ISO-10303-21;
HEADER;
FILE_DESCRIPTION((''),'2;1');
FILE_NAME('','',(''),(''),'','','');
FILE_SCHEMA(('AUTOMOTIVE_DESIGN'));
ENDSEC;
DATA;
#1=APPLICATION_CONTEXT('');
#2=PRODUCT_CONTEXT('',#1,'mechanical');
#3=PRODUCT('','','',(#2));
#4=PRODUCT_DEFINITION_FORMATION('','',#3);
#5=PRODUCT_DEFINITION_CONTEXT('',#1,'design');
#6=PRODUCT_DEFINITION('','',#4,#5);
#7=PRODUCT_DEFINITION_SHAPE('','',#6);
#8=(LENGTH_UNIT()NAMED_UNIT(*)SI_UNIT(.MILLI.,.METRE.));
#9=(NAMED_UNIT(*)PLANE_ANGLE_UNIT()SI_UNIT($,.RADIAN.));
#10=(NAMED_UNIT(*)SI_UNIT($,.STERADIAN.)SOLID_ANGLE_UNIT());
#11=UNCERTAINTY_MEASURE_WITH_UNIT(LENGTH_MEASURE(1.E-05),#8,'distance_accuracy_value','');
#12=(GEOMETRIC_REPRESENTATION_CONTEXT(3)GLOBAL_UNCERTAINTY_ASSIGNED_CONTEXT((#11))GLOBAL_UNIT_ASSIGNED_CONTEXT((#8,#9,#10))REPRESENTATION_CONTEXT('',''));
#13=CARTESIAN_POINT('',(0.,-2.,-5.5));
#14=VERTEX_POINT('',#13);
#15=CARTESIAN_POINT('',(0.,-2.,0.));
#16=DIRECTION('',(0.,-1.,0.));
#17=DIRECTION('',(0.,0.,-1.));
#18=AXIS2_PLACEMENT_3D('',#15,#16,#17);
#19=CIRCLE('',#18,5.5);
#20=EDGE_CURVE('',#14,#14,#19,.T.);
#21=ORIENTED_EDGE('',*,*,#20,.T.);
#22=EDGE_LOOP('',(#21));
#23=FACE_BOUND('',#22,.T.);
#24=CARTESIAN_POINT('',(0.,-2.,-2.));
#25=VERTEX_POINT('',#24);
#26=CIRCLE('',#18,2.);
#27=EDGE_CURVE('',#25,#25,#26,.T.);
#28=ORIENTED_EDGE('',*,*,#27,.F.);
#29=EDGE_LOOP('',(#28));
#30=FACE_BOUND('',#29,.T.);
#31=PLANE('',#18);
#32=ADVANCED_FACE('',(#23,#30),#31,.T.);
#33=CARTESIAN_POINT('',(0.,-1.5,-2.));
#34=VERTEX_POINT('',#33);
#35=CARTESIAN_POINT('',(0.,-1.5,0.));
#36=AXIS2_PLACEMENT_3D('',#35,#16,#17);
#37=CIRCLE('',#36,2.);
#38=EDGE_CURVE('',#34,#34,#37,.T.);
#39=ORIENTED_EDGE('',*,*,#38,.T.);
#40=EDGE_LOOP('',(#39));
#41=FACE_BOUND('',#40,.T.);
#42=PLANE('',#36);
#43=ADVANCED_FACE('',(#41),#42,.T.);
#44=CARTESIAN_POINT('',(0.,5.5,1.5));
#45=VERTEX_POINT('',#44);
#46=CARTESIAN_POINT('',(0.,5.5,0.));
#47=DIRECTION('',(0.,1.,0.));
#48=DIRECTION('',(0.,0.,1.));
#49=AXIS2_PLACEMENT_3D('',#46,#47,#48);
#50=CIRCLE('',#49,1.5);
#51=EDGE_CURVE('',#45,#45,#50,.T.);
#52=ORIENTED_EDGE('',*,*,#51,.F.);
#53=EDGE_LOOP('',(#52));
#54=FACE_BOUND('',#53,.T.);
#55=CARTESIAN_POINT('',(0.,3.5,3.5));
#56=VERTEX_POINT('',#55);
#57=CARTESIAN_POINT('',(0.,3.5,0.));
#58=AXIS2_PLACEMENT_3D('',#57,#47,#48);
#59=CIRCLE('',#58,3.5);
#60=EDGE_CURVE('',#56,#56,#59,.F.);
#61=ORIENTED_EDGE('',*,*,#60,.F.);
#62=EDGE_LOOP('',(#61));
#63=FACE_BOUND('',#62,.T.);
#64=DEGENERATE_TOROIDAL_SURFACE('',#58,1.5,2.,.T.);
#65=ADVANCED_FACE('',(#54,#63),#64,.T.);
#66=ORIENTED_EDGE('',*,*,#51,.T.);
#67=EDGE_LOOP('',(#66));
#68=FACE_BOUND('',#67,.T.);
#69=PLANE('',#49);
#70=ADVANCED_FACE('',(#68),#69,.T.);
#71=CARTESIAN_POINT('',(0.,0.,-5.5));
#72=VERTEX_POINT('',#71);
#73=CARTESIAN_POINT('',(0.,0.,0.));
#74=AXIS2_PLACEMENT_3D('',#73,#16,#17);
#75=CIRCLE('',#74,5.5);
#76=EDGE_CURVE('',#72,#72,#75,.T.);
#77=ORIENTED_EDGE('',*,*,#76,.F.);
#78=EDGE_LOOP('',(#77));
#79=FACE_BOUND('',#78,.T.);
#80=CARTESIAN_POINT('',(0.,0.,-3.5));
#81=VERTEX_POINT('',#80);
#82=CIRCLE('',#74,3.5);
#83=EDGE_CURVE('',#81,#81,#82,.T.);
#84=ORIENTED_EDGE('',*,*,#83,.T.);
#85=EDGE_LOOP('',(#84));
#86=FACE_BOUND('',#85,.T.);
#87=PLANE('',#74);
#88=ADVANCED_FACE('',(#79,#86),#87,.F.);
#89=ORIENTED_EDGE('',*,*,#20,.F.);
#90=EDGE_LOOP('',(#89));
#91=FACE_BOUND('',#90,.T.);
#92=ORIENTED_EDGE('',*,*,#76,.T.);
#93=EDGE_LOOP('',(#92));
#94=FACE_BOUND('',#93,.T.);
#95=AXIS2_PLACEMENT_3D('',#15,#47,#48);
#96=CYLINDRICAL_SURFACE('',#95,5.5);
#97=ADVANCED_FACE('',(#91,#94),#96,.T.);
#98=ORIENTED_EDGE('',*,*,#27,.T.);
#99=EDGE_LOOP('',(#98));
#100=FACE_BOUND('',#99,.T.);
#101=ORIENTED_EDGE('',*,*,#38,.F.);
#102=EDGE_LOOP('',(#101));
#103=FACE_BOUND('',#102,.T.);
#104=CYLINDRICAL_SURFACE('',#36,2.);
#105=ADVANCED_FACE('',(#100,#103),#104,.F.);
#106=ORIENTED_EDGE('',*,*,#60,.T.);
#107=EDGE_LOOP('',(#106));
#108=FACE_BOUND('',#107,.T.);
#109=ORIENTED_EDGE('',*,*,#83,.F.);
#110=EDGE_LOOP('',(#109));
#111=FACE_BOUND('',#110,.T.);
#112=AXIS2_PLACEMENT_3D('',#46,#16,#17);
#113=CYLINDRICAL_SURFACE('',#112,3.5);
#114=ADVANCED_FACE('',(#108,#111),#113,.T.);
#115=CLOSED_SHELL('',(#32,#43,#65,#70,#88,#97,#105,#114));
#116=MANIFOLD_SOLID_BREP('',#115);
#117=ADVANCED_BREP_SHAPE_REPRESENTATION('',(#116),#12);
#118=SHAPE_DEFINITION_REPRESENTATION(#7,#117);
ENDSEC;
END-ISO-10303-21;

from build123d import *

# Parameters (mm, degrees)
SKIZZE1_R                       = 3.5
AUFSATZ_LINEAR_AUSTRAGEN1_DEPTH = 5.5
SKIZZE2_R                       = 5.5
AUFSATZ_LINEAR_AUSTRAGEN2_DEPTH = 2
SKIZZE3_R                       = 2
SCHNITT_LINEAR_AUSTRAGEN1_DEPTH = 0.5
VERRUNDUNG1_R                   = 2


with BuildPart() as part:
    # Skizze1 → Aufsatz-Linear austragen1 (new body)
    with BuildSketch(Plane(origin=(0, 0, 0), x_dir=(1, 0, 0), z_dir=(0, 1, 0))):
        Circle(SKIZZE1_R)
    extrude(amount=AUFSATZ_LINEAR_AUSTRAGEN1_DEPTH)

    # Skizze2 → Aufsatz-Linear austragen2 (add)
    with BuildSketch(Plane.XZ):
        Circle(SKIZZE2_R)
    extrude(amount=AUFSATZ_LINEAR_AUSTRAGEN2_DEPTH)

    # Skizze3 → Schnitt-Linear austragen1 (cut)
    with BuildSketch(Plane.XZ.offset(2)):
        Circle(SKIZZE3_R)
    extrude(amount=-SCHNITT_LINEAR_AUSTRAGEN1_DEPTH, mode=Mode.SUBTRACT)

    # Verrundung1
    verrundung1_edges = [part.edges().sort_by_distance(p)[0] for p in [
        (-3.5, 5.5, 0),
    ]]
    fillet(verrundung1_edges, radius=VERRUNDUNG1_R)


solid = part.part
